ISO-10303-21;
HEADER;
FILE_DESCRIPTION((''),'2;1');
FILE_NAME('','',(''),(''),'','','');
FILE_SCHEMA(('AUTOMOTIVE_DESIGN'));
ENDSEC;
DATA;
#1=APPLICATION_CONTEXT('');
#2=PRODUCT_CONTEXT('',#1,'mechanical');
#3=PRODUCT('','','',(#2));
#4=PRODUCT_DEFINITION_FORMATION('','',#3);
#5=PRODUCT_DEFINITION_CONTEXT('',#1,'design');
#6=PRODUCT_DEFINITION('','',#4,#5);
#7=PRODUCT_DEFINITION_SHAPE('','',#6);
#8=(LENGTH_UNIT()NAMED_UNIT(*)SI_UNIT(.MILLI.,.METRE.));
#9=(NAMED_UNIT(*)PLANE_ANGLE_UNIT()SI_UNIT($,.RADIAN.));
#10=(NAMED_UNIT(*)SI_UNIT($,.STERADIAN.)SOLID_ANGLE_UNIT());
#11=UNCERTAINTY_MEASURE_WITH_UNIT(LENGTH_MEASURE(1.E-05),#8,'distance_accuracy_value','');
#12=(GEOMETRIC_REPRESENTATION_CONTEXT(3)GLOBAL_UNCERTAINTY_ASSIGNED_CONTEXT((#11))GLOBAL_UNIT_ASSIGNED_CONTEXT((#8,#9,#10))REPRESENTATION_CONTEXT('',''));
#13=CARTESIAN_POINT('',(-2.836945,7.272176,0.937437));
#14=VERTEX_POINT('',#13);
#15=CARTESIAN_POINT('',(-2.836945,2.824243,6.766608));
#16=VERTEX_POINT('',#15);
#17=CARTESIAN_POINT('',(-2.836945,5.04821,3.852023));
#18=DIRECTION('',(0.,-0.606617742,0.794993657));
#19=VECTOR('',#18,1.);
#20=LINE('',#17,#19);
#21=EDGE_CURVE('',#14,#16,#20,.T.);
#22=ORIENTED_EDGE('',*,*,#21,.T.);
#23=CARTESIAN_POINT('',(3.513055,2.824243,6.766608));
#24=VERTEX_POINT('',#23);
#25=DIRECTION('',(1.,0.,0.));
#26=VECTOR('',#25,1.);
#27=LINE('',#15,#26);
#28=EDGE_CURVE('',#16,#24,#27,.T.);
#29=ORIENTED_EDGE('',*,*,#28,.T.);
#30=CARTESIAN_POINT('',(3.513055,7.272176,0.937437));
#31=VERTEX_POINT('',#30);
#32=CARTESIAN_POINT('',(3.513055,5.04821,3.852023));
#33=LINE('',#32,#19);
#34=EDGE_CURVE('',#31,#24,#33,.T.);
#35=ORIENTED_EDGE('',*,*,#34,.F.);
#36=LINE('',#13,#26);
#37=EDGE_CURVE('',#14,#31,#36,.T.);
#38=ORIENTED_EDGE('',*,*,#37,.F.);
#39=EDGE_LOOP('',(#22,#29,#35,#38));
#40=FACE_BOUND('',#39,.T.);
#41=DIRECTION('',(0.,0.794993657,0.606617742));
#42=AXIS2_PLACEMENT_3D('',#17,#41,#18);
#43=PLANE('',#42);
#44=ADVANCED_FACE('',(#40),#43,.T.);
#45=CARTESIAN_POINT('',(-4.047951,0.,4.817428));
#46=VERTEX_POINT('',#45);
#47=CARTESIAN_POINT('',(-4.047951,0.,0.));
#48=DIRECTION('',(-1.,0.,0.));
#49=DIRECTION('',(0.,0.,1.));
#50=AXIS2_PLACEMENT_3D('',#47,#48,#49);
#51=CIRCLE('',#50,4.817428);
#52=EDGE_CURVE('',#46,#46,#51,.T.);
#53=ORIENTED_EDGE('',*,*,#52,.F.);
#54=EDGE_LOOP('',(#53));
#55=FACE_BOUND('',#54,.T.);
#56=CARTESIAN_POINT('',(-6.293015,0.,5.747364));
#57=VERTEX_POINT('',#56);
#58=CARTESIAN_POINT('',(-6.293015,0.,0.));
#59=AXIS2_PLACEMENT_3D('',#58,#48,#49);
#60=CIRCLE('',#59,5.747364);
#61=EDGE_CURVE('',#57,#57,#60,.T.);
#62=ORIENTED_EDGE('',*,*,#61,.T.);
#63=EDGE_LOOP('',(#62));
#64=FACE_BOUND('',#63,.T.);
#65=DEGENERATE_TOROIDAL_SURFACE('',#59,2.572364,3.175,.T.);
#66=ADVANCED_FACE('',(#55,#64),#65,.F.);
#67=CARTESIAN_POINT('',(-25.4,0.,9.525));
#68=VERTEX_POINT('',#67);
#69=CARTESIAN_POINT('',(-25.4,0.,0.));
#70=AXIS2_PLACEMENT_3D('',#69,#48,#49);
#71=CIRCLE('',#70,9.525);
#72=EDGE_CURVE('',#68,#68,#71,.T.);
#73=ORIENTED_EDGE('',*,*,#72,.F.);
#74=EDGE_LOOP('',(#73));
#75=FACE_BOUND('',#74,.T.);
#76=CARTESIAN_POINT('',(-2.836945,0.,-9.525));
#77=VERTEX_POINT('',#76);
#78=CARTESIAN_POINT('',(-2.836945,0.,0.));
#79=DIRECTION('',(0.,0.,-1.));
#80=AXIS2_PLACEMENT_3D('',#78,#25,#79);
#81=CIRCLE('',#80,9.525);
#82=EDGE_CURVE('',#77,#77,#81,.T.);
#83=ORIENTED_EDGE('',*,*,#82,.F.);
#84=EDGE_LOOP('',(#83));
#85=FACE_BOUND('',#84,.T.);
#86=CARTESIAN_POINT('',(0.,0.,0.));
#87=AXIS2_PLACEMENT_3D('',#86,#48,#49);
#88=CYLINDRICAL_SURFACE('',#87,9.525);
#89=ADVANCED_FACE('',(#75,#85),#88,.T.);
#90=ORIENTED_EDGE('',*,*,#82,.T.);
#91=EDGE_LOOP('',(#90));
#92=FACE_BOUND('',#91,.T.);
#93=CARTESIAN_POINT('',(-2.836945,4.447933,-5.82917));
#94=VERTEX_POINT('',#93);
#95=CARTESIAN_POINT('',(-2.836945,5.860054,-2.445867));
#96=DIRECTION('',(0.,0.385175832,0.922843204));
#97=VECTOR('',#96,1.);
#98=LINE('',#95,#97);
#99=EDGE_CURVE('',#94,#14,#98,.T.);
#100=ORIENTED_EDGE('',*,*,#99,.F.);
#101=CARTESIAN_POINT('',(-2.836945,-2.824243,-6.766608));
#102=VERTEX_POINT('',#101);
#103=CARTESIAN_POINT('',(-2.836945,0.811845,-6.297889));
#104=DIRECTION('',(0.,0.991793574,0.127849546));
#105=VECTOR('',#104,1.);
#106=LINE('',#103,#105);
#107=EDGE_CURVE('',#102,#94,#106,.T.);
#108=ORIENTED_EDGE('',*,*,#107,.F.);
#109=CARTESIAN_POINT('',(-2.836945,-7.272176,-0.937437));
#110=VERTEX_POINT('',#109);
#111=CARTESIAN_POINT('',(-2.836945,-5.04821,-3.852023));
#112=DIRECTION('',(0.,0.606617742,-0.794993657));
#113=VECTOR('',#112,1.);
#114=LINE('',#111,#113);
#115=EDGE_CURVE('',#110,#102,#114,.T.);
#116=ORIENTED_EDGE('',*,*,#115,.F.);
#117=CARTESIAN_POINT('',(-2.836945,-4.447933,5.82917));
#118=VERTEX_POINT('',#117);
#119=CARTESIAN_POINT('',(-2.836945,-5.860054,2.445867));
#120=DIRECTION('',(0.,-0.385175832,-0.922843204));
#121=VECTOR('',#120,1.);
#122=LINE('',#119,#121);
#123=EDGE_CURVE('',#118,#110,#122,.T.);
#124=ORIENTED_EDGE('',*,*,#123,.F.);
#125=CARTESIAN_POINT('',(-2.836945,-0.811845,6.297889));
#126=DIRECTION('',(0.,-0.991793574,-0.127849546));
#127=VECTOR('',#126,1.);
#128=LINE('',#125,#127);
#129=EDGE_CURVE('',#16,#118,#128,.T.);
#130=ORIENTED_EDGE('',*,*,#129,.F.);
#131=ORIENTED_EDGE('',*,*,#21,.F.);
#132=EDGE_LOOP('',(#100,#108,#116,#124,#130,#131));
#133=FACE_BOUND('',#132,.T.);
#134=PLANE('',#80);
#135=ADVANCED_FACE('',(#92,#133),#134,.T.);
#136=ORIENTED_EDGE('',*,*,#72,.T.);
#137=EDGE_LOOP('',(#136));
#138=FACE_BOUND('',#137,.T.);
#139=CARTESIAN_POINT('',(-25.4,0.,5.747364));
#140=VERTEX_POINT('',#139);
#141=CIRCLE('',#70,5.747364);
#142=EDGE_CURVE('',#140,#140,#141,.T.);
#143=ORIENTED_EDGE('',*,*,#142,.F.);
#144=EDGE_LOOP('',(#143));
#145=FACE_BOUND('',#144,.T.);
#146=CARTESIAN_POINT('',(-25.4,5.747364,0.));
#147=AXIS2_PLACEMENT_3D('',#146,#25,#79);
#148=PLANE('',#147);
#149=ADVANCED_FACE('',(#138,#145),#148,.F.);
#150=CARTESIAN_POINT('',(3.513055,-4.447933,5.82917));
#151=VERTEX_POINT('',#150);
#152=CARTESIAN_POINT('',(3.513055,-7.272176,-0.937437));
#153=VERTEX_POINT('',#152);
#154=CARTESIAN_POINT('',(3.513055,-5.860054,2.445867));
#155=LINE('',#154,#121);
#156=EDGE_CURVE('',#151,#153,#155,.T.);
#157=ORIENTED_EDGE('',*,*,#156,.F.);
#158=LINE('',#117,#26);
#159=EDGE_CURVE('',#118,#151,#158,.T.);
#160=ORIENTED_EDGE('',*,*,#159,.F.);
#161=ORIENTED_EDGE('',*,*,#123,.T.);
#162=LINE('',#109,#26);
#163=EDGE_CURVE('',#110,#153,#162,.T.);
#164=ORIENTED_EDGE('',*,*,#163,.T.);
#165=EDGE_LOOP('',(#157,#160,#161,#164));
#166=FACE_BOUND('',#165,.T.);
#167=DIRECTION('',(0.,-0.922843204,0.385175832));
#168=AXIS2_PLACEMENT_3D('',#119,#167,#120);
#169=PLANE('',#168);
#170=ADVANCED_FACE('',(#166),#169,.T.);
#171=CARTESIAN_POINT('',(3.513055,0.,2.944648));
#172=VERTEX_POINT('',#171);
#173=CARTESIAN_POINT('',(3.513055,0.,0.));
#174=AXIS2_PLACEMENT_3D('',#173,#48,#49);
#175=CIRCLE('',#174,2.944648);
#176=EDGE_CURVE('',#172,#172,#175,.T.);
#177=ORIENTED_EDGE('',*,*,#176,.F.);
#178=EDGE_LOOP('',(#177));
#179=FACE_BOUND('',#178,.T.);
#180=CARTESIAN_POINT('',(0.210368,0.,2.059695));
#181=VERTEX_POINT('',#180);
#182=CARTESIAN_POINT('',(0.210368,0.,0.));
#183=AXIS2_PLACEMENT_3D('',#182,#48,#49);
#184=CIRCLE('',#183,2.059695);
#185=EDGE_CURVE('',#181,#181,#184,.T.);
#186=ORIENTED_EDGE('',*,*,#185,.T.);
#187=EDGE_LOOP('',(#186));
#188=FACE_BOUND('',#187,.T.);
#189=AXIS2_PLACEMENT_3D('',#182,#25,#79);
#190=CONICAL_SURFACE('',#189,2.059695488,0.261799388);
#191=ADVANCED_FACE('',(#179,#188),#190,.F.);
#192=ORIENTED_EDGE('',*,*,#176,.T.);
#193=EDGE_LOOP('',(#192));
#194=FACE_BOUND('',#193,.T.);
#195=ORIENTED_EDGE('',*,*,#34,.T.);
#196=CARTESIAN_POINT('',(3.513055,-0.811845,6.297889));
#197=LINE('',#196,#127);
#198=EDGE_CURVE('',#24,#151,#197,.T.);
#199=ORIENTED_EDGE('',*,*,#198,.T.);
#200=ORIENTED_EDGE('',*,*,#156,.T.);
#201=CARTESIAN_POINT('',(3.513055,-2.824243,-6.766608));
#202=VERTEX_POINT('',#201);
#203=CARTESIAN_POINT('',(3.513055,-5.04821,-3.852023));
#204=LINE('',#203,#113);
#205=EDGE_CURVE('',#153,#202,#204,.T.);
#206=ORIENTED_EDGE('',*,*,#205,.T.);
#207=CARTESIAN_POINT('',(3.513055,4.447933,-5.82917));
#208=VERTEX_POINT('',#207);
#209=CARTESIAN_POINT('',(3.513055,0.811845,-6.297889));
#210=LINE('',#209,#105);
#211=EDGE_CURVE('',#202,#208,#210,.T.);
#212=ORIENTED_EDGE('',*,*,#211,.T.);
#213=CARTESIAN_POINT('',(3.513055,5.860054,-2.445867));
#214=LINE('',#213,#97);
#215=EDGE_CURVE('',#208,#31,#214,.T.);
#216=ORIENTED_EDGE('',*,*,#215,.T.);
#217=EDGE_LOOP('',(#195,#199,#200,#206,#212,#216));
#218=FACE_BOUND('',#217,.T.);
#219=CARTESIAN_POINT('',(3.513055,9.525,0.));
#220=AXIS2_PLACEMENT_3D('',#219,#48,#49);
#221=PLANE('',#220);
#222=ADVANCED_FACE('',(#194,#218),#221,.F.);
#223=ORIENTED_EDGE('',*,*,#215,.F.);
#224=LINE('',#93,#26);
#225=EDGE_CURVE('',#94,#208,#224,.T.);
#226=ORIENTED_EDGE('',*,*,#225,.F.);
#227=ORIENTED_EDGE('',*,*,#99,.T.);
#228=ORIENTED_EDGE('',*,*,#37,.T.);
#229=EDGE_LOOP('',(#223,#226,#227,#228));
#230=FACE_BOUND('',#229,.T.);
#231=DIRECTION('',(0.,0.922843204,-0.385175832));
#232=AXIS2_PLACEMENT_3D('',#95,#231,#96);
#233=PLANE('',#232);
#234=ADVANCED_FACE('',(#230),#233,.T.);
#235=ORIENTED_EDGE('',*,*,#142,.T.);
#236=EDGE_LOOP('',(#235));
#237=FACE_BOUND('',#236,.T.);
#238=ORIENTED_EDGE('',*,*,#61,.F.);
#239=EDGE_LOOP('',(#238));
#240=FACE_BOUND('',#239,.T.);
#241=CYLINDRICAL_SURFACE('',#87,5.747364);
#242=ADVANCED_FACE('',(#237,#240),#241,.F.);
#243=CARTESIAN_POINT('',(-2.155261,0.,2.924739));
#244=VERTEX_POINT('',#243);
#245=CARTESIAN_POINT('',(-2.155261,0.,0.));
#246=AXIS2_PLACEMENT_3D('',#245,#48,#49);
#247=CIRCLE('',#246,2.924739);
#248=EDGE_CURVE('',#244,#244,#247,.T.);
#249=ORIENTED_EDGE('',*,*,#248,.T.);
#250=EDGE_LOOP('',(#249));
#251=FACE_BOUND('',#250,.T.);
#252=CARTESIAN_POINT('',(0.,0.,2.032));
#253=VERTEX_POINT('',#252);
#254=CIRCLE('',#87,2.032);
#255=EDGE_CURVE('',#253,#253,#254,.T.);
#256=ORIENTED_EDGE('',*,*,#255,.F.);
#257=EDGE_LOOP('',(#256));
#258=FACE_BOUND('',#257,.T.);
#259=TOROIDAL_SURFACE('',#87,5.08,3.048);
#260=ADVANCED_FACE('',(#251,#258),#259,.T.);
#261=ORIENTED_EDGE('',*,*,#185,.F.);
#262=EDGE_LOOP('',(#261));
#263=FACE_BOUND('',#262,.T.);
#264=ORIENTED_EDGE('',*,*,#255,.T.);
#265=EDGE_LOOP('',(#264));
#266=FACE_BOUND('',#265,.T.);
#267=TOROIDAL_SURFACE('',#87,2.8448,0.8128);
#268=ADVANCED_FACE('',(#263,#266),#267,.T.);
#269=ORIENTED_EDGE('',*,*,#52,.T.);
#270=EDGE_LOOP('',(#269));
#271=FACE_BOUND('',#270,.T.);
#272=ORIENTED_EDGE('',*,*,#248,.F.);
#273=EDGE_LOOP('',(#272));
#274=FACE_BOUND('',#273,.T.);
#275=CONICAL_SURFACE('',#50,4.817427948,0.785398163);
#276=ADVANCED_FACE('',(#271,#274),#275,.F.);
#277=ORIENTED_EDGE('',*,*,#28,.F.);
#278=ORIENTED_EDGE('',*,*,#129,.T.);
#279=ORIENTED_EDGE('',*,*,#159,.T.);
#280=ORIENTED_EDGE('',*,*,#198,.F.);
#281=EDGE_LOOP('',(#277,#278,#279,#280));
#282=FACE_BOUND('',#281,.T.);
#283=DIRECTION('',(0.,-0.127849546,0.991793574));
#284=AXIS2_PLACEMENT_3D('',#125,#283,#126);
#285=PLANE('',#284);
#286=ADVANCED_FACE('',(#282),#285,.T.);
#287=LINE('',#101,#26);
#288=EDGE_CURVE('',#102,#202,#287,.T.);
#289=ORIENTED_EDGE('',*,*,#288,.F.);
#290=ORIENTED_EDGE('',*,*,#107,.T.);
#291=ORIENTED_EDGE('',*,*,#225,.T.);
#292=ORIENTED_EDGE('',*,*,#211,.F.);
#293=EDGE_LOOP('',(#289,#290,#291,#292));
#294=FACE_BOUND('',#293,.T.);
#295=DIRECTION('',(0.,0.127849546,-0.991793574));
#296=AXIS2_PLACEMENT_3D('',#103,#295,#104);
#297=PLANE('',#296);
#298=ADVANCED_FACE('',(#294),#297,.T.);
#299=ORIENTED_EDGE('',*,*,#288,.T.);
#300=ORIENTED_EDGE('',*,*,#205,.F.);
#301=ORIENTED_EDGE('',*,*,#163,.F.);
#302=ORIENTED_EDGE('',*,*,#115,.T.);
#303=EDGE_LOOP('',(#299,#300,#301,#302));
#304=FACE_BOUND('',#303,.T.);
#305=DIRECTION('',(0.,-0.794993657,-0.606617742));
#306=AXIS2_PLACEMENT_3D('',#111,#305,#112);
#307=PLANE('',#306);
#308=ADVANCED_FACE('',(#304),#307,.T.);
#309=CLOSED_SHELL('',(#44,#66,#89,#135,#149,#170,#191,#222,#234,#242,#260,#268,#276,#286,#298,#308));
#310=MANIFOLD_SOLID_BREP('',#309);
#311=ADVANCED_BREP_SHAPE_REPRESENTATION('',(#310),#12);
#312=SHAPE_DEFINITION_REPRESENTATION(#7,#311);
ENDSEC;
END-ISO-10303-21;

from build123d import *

# Parameters (mm, degrees)
CUT_EXTRUDE2_START = -6.35
SKETCH3_R          = 9.525
CUT_EXTRUDE2_DEPTH = 6.35


with BuildPart() as part:
    # Sketch1 → Revolve1 (revolve)
    with BuildSketch(Plane.XY, mode=Mode.PRIVATE) as revolve1_sk:
        with BuildLine():
            Line((0.21036812, 2.059695488), (3.51305494, 2.944647755))
            Line((3.51305494, 2.944647755), (3.51305494, 9.525))
            Line((3.51305494, 9.525), (-9.18694506, 9.525))
            Line((-9.18694506, 9.525), (-25.4, 9.525))
            Line((-25.4, 9.525), (-25.4, 5.747363917))
            Line((-25.4, 5.747363917), (-6.293014916, 5.747363917))
            ThreePointArc((-6.293014916, 5.747363917), (-5.077995018, 5.505681433), (-4.047950886, 4.817427948))
            Line((-4.047950886, 4.817427948), (-2.155261469, 2.924738531))
            ThreePointArc((-2.155261469, 2.924738531), (-1.166419102, 2.264015185), (0, 2.032))
            ThreePointArc((0, 2.032), (0.106091689, 2.038953617), (0.21036812, 2.059695488))
        make_face()
    revolve(revolve1_sk.sketch.rotate(Axis((0, 0, 0), (1, 0, 0)), 90), axis=Axis((0, 0, 0), (1, 0, 0)))

    # Sketch3 → Cut-Extrude2 (cut)
    with BuildSketch(Plane(origin=(3.51305494, 0, 0), x_dir=(0, 0, -1), z_dir=(1, 0, 0)).offset(CUT_EXTRUDE2_START)):
        with Locations(Location((0, 0, 0), (0, 0, 180))):
            Circle(SKETCH3_R)
        Polygon((-5.829170486, -4.447932641), (0.937437419, -7.272176044), (6.766607905, -2.824243403), (5.829170486, 4.447932641), (-0.937437419, 7.272176044), (-6.766607905, 2.824243403), align=None, mode=Mode.SUBTRACT)
    extrude(amount=CUT_EXTRUDE2_DEPTH, mode=Mode.SUBTRACT)


solid = part.part
